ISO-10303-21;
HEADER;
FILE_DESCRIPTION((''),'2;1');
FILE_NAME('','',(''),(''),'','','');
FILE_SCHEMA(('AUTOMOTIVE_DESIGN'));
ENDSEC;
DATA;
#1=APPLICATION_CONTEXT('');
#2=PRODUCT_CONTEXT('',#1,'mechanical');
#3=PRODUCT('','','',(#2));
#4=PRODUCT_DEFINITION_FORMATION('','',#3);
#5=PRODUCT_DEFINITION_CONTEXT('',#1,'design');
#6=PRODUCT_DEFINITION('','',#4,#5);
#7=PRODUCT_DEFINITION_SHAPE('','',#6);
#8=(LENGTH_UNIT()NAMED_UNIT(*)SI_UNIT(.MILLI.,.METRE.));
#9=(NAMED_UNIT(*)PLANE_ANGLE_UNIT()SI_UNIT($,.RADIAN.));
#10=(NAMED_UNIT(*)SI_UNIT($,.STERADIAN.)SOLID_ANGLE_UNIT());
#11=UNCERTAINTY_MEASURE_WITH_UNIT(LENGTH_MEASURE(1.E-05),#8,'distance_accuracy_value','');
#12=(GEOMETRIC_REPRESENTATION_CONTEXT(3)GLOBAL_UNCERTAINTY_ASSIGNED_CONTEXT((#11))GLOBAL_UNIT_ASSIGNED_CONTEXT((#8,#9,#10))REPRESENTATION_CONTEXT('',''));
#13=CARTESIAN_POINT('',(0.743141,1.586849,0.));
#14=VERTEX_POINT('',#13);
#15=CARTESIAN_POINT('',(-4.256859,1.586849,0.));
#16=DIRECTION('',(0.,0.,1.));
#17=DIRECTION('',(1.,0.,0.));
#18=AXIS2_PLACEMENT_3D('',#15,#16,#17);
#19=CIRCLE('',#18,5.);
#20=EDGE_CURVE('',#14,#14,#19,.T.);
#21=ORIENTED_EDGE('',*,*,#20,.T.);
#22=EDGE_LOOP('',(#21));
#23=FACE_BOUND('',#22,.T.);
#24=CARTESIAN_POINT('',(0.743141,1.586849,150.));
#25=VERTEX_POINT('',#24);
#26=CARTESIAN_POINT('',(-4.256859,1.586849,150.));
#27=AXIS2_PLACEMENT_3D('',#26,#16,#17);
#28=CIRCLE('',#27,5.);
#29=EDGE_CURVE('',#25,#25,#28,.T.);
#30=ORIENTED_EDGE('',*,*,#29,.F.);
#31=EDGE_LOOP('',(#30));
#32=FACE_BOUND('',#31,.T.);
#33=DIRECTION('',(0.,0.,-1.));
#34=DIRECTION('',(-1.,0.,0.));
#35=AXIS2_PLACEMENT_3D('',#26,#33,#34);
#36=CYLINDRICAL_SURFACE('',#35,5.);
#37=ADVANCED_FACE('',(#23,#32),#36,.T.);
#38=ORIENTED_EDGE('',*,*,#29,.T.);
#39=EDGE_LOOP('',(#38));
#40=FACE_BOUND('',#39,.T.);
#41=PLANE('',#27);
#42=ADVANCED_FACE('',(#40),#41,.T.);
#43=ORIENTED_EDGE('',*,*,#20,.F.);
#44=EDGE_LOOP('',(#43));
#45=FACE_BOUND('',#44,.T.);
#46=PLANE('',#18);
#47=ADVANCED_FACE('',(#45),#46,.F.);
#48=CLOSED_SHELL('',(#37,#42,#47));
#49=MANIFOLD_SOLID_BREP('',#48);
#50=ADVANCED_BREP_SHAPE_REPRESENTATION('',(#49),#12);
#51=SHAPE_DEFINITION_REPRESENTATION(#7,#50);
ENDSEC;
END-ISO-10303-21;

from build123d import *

# Parameters (mm, degrees)
ESBO_O1_R                = 5
RESSALTO_EXTRUS_O1_DEPTH = 150


with BuildPart() as part:
    # Esboço1 → Ressalto-extrusão1 (new body)
    with BuildSketch(Plane.XY):
        with Locations((-4.256859187, 1.586848558)):
            Circle(ESBO_O1_R)
    extrude(amount=RESSALTO_EXTRUS_O1_DEPTH)


solid = part.part
